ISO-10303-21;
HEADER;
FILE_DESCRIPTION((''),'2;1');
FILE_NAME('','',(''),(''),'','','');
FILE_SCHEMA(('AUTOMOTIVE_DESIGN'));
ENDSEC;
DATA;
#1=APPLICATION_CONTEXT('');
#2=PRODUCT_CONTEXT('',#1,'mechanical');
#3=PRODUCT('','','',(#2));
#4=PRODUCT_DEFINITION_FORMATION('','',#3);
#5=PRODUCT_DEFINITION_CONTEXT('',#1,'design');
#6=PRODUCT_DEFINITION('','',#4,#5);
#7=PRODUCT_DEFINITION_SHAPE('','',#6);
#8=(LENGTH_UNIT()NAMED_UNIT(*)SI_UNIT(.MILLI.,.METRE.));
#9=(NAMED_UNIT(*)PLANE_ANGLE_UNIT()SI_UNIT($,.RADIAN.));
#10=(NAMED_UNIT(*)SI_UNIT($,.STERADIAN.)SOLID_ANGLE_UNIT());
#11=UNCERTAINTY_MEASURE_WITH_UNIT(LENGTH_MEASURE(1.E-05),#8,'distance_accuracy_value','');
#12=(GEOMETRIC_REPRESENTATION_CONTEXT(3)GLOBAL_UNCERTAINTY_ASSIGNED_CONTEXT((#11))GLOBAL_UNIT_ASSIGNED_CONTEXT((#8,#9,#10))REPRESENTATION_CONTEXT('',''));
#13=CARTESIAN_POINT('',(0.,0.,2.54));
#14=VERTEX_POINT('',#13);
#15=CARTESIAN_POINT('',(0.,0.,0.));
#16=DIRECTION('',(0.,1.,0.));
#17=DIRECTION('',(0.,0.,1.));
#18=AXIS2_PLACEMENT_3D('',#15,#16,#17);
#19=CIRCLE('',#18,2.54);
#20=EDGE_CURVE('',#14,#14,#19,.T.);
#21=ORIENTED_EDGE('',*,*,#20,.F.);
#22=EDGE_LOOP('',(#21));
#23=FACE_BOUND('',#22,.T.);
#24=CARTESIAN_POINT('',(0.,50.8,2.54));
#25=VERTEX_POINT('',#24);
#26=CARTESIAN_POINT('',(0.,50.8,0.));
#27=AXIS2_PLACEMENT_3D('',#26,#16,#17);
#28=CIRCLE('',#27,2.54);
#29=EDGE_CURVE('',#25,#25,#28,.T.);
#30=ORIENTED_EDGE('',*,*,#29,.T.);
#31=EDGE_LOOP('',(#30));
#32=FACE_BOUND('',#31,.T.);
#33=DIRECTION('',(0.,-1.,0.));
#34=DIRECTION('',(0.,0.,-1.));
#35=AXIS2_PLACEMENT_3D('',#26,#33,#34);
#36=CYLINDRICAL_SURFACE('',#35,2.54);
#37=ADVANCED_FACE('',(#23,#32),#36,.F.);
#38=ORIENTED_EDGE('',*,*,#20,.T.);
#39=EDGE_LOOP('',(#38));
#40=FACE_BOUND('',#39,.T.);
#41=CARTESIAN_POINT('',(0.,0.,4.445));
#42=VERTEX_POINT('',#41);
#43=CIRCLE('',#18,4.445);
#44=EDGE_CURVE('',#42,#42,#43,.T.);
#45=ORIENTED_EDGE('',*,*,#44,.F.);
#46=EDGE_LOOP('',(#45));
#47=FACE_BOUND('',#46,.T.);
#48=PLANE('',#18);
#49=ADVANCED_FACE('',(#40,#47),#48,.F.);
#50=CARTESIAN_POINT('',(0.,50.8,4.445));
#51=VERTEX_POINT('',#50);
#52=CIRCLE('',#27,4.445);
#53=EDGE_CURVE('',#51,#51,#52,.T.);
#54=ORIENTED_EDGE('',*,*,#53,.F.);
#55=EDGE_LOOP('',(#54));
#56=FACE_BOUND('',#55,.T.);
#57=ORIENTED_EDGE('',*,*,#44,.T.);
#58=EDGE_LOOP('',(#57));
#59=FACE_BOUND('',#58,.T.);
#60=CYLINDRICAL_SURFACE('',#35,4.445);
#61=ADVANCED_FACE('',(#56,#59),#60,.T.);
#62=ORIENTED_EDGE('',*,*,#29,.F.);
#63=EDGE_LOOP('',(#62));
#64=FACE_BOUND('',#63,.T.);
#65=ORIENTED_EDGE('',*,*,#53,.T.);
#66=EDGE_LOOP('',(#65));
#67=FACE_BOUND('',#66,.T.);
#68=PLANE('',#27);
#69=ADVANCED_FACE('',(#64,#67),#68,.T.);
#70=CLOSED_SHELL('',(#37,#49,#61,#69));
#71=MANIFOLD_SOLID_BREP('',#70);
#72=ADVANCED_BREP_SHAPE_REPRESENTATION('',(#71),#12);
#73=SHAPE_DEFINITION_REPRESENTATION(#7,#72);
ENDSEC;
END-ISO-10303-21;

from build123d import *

# Parameters (mm, degrees)
SKETCH1_R           = 4.445
SKETCH1_R_2         = 2.54
BOSS_EXTRUDE1_DEPTH = 50.8


with BuildPart() as part:
    # Sketch1 → Boss-Extrude1 (new body)
    with BuildSketch(Plane(origin=(0, 0, 0), x_dir=(1, 0, 0), z_dir=(0, 1, 0))):
        Circle(SKETCH1_R)
        Circle(SKETCH1_R_2, mode=Mode.SUBTRACT)
    extrude(amount=BOSS_EXTRUDE1_DEPTH)


solid = part.part
